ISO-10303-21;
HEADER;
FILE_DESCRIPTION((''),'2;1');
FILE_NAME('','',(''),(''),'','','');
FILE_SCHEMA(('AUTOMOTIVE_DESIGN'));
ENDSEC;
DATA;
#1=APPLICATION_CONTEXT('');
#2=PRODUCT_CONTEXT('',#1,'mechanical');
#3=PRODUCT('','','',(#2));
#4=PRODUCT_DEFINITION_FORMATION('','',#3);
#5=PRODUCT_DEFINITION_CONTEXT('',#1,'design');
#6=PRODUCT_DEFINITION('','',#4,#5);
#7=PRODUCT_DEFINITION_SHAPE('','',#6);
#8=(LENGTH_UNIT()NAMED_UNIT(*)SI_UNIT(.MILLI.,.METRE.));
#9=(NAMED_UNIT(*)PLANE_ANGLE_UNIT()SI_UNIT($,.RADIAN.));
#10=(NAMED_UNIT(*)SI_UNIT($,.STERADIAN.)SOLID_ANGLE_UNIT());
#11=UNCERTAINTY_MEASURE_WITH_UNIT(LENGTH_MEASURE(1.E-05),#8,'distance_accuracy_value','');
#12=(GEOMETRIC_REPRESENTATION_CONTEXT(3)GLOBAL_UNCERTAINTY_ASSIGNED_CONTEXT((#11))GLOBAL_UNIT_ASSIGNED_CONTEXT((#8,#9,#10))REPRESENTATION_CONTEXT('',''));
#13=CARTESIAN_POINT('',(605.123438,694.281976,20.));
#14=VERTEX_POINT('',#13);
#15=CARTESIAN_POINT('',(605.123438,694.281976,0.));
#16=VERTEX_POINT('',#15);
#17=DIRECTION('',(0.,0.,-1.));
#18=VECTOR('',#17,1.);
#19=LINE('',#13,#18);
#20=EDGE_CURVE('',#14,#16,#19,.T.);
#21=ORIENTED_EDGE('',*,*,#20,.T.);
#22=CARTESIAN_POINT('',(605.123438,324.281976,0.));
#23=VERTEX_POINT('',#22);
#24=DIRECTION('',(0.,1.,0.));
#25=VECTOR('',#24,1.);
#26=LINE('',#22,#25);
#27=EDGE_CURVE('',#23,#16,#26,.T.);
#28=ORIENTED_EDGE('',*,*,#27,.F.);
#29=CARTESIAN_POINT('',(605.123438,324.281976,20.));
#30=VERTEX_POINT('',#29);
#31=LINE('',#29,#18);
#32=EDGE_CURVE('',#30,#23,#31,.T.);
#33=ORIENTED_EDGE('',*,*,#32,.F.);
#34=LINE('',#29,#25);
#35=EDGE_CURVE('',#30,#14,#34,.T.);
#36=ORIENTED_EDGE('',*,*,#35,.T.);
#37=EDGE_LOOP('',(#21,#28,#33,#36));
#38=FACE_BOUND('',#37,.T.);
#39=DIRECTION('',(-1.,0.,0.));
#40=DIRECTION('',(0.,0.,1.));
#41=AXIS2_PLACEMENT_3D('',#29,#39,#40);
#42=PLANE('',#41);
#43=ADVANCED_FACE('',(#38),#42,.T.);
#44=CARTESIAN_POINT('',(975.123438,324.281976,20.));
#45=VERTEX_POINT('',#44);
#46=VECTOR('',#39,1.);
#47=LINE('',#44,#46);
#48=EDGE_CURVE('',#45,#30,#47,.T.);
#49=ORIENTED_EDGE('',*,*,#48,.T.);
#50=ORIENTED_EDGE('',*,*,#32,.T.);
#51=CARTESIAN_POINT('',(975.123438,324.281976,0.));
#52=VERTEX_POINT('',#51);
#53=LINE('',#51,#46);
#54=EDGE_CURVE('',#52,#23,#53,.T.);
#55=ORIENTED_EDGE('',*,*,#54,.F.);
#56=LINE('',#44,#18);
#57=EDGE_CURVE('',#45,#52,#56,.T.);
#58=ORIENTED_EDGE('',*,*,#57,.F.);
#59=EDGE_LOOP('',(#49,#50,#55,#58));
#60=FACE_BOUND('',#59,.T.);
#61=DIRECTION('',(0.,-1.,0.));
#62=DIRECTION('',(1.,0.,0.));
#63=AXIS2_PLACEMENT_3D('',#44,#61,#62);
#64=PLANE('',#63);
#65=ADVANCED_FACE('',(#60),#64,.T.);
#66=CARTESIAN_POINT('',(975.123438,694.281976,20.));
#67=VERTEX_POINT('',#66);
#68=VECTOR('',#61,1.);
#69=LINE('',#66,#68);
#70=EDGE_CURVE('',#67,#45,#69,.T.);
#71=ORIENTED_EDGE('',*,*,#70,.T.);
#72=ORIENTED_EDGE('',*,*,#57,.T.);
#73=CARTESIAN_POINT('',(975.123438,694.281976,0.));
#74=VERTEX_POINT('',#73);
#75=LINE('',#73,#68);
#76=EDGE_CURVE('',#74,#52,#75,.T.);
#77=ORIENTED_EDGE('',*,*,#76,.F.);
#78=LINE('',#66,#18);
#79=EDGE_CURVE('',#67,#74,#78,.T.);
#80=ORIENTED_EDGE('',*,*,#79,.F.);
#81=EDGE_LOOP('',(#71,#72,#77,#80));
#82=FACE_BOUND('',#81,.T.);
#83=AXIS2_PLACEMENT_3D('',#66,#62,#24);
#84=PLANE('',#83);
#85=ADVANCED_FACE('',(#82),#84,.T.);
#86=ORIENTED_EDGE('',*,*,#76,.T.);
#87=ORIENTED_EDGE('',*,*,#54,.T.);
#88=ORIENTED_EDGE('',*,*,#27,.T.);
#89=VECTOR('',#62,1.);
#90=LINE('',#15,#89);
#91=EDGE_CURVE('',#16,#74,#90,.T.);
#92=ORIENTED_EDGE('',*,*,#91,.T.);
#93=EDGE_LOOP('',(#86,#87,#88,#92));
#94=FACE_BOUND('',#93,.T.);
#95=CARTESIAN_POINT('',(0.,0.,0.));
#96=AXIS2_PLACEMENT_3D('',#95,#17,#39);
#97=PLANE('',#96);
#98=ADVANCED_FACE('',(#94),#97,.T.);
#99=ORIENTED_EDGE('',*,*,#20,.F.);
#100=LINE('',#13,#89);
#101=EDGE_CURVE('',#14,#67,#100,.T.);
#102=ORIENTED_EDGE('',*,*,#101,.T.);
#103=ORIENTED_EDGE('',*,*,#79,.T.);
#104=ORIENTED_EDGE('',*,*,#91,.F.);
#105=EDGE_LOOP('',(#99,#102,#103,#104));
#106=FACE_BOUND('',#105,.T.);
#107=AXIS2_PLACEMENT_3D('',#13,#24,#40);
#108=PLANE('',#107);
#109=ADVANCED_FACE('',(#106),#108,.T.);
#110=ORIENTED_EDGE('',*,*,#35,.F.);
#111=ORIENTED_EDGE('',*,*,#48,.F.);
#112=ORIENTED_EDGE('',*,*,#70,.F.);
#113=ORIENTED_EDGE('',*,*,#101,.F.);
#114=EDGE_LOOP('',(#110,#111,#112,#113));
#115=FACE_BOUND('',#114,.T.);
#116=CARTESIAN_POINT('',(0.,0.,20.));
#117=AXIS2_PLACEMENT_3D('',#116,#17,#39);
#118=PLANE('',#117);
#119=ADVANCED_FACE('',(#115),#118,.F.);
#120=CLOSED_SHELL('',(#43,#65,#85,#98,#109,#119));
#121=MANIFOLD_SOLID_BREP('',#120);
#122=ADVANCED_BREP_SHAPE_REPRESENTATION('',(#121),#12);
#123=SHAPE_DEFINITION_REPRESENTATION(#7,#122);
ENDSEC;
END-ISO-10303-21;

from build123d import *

# Parameters (mm, degrees)
CROQUIS1_W              = 370
CROQUIS1_H              = 370
SALIENTE_EXTRUIR1_DEPTH = 20


with BuildPart() as part:
    # Croquis1 → Saliente-Extruir1 (new body)
    with BuildSketch(Plane.XY):
        with Locations((790.123437975, 509.281976167)):
            Rectangle(CROQUIS1_W, CROQUIS1_H)
    extrude(amount=SALIENTE_EXTRUIR1_DEPTH)


solid = part.part
